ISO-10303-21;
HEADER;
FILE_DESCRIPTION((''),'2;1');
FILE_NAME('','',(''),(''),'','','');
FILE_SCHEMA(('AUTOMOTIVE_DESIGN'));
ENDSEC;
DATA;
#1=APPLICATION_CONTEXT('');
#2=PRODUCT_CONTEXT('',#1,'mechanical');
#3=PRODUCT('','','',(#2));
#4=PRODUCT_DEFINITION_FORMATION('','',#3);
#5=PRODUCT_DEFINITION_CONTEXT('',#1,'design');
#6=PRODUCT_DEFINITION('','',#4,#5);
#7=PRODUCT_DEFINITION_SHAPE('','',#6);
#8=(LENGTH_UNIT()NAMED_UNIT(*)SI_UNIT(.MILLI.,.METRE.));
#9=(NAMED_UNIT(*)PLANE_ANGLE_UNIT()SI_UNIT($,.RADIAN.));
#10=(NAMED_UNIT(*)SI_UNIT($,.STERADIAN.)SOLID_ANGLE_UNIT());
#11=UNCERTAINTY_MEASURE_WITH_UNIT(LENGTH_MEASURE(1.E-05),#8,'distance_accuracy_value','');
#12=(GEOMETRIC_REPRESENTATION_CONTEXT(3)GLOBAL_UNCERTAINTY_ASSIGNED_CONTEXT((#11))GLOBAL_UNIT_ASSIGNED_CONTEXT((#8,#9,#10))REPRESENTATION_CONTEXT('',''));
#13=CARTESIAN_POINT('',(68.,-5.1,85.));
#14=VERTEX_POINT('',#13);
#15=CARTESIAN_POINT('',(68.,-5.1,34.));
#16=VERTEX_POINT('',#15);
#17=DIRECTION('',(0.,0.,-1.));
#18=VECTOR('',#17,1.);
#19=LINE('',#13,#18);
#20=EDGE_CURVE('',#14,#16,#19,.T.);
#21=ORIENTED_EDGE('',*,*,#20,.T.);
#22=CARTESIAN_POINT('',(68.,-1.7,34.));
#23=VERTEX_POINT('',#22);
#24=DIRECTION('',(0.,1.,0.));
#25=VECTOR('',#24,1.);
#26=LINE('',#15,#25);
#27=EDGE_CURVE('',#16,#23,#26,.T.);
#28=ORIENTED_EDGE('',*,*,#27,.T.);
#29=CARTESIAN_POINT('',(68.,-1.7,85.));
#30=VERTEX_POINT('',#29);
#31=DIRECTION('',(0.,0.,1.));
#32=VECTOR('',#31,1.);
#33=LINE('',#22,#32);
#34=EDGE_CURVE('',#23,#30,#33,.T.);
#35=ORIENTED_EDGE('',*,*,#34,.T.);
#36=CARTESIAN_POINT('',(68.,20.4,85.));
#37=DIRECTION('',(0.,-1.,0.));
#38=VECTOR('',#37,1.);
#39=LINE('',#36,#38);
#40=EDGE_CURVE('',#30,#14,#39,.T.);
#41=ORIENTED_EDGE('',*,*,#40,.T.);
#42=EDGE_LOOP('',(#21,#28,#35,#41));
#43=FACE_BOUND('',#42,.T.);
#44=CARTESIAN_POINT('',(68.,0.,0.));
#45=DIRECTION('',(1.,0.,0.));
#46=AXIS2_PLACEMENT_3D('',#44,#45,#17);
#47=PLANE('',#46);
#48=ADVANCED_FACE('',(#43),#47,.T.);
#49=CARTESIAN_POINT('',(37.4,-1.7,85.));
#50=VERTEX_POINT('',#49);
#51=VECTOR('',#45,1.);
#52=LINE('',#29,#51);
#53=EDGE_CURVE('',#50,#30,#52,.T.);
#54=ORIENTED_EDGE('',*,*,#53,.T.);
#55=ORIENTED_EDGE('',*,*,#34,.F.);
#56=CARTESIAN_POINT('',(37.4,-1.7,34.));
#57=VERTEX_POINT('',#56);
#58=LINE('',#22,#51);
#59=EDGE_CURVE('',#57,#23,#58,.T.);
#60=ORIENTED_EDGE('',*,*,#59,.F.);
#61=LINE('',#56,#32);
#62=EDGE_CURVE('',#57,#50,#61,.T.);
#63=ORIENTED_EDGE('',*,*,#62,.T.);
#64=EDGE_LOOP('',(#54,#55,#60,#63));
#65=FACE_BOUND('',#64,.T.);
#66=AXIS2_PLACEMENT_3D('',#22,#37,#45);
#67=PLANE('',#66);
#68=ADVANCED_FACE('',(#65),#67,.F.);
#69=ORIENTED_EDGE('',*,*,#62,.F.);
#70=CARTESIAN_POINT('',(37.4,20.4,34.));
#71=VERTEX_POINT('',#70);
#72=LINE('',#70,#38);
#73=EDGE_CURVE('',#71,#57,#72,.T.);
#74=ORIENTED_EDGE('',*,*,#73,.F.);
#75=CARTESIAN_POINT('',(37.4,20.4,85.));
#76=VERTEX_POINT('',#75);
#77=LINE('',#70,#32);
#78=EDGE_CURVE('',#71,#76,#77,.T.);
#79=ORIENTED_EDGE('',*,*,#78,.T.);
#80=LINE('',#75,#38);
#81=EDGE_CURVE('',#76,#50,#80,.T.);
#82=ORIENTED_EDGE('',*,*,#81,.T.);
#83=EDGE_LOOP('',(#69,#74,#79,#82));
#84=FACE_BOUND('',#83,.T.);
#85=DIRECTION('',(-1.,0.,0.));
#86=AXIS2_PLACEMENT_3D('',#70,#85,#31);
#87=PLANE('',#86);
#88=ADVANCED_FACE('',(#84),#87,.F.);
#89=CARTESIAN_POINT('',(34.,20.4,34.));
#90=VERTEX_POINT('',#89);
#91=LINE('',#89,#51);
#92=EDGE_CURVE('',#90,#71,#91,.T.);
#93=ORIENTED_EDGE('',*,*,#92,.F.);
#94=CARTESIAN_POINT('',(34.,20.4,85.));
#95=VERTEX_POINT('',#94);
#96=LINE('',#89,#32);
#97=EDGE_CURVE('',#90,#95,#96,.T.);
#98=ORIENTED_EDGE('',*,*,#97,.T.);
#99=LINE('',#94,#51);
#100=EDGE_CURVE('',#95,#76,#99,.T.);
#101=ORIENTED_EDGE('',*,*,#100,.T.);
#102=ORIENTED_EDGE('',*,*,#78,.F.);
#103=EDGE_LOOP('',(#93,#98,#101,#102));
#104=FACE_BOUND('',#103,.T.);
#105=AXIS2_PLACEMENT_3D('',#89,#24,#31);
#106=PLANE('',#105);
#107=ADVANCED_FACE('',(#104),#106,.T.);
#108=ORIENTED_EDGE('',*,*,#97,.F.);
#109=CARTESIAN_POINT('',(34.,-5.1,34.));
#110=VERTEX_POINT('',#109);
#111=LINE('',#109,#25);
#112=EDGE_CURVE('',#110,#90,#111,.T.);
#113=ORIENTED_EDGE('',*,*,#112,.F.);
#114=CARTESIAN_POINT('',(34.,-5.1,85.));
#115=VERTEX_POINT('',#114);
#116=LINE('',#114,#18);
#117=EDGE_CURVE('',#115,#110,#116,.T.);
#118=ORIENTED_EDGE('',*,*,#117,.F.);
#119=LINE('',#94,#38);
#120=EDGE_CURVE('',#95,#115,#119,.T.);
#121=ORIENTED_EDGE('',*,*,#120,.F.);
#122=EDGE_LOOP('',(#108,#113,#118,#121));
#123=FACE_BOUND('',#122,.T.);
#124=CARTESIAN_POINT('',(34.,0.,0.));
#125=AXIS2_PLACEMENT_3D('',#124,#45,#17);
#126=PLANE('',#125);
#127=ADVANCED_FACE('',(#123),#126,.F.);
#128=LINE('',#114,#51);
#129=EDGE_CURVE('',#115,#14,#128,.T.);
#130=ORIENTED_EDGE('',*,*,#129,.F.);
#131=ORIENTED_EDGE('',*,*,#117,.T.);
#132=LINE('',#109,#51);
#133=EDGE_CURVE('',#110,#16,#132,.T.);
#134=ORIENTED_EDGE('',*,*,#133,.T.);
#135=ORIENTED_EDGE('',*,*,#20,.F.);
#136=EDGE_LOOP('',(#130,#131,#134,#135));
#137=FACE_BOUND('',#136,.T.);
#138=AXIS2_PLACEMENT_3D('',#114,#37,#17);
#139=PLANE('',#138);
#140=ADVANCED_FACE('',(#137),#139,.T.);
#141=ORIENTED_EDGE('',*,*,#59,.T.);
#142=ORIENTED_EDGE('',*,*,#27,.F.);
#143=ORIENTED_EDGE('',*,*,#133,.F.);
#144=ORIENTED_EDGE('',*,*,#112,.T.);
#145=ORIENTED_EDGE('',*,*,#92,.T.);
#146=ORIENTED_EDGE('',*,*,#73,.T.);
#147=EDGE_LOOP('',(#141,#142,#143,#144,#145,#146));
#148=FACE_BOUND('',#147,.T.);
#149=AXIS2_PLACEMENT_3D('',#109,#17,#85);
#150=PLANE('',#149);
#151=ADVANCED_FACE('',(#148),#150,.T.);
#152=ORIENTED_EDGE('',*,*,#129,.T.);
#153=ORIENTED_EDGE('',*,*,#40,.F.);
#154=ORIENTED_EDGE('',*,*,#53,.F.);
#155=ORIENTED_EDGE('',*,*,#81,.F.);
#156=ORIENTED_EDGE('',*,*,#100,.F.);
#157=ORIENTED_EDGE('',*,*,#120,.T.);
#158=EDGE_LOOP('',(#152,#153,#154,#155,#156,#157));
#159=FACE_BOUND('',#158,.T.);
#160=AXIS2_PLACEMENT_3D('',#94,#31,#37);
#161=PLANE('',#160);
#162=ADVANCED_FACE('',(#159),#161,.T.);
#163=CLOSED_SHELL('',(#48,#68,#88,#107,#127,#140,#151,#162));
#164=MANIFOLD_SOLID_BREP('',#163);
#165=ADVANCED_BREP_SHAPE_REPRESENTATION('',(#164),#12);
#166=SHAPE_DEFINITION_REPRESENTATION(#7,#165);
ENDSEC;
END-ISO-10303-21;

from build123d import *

# Parameters (mm, degrees)
SKETCH_1_W          = 30
SKETCH_1_H          = 15
EXTRUDE_1_DEPTH     = 20
SKETCH_2_W          = 18
SKETCH_2_H          = 13
CUT_EXTRUDE_1_DEPTH = 52.419840529
SCALE_1_SCALE       = 1.7


with BuildPart() as part:
    # 草图1 → 凸台-拉伸1 (new body)
    with BuildSketch(Plane(origin=(40, 0, 0), x_dir=(0, 0, -1), z_dir=(1, 0, 0))):
        with Locations((-35, 4.5)):
            Rectangle(SKETCH_1_W, SKETCH_1_H)
    extrude(amount=-EXTRUDE_1_DEPTH)

    # 草图2 → 切除-拉伸1 (cut, through all)
    with BuildSketch(Plane.XY.offset(50)):
        with Locations((31, 5.5)):
            Rectangle(SKETCH_2_W, SKETCH_2_H)
    extrude(amount=-CUT_EXTRUDE_1_DEPTH, mode=Mode.SUBTRACT)


with BuildPart() as part_1:
    # 缩放比例1: scaled about (0, 0, 0)
    add(part.part.scale(SCALE_1_SCALE))


solid = part_1.part
